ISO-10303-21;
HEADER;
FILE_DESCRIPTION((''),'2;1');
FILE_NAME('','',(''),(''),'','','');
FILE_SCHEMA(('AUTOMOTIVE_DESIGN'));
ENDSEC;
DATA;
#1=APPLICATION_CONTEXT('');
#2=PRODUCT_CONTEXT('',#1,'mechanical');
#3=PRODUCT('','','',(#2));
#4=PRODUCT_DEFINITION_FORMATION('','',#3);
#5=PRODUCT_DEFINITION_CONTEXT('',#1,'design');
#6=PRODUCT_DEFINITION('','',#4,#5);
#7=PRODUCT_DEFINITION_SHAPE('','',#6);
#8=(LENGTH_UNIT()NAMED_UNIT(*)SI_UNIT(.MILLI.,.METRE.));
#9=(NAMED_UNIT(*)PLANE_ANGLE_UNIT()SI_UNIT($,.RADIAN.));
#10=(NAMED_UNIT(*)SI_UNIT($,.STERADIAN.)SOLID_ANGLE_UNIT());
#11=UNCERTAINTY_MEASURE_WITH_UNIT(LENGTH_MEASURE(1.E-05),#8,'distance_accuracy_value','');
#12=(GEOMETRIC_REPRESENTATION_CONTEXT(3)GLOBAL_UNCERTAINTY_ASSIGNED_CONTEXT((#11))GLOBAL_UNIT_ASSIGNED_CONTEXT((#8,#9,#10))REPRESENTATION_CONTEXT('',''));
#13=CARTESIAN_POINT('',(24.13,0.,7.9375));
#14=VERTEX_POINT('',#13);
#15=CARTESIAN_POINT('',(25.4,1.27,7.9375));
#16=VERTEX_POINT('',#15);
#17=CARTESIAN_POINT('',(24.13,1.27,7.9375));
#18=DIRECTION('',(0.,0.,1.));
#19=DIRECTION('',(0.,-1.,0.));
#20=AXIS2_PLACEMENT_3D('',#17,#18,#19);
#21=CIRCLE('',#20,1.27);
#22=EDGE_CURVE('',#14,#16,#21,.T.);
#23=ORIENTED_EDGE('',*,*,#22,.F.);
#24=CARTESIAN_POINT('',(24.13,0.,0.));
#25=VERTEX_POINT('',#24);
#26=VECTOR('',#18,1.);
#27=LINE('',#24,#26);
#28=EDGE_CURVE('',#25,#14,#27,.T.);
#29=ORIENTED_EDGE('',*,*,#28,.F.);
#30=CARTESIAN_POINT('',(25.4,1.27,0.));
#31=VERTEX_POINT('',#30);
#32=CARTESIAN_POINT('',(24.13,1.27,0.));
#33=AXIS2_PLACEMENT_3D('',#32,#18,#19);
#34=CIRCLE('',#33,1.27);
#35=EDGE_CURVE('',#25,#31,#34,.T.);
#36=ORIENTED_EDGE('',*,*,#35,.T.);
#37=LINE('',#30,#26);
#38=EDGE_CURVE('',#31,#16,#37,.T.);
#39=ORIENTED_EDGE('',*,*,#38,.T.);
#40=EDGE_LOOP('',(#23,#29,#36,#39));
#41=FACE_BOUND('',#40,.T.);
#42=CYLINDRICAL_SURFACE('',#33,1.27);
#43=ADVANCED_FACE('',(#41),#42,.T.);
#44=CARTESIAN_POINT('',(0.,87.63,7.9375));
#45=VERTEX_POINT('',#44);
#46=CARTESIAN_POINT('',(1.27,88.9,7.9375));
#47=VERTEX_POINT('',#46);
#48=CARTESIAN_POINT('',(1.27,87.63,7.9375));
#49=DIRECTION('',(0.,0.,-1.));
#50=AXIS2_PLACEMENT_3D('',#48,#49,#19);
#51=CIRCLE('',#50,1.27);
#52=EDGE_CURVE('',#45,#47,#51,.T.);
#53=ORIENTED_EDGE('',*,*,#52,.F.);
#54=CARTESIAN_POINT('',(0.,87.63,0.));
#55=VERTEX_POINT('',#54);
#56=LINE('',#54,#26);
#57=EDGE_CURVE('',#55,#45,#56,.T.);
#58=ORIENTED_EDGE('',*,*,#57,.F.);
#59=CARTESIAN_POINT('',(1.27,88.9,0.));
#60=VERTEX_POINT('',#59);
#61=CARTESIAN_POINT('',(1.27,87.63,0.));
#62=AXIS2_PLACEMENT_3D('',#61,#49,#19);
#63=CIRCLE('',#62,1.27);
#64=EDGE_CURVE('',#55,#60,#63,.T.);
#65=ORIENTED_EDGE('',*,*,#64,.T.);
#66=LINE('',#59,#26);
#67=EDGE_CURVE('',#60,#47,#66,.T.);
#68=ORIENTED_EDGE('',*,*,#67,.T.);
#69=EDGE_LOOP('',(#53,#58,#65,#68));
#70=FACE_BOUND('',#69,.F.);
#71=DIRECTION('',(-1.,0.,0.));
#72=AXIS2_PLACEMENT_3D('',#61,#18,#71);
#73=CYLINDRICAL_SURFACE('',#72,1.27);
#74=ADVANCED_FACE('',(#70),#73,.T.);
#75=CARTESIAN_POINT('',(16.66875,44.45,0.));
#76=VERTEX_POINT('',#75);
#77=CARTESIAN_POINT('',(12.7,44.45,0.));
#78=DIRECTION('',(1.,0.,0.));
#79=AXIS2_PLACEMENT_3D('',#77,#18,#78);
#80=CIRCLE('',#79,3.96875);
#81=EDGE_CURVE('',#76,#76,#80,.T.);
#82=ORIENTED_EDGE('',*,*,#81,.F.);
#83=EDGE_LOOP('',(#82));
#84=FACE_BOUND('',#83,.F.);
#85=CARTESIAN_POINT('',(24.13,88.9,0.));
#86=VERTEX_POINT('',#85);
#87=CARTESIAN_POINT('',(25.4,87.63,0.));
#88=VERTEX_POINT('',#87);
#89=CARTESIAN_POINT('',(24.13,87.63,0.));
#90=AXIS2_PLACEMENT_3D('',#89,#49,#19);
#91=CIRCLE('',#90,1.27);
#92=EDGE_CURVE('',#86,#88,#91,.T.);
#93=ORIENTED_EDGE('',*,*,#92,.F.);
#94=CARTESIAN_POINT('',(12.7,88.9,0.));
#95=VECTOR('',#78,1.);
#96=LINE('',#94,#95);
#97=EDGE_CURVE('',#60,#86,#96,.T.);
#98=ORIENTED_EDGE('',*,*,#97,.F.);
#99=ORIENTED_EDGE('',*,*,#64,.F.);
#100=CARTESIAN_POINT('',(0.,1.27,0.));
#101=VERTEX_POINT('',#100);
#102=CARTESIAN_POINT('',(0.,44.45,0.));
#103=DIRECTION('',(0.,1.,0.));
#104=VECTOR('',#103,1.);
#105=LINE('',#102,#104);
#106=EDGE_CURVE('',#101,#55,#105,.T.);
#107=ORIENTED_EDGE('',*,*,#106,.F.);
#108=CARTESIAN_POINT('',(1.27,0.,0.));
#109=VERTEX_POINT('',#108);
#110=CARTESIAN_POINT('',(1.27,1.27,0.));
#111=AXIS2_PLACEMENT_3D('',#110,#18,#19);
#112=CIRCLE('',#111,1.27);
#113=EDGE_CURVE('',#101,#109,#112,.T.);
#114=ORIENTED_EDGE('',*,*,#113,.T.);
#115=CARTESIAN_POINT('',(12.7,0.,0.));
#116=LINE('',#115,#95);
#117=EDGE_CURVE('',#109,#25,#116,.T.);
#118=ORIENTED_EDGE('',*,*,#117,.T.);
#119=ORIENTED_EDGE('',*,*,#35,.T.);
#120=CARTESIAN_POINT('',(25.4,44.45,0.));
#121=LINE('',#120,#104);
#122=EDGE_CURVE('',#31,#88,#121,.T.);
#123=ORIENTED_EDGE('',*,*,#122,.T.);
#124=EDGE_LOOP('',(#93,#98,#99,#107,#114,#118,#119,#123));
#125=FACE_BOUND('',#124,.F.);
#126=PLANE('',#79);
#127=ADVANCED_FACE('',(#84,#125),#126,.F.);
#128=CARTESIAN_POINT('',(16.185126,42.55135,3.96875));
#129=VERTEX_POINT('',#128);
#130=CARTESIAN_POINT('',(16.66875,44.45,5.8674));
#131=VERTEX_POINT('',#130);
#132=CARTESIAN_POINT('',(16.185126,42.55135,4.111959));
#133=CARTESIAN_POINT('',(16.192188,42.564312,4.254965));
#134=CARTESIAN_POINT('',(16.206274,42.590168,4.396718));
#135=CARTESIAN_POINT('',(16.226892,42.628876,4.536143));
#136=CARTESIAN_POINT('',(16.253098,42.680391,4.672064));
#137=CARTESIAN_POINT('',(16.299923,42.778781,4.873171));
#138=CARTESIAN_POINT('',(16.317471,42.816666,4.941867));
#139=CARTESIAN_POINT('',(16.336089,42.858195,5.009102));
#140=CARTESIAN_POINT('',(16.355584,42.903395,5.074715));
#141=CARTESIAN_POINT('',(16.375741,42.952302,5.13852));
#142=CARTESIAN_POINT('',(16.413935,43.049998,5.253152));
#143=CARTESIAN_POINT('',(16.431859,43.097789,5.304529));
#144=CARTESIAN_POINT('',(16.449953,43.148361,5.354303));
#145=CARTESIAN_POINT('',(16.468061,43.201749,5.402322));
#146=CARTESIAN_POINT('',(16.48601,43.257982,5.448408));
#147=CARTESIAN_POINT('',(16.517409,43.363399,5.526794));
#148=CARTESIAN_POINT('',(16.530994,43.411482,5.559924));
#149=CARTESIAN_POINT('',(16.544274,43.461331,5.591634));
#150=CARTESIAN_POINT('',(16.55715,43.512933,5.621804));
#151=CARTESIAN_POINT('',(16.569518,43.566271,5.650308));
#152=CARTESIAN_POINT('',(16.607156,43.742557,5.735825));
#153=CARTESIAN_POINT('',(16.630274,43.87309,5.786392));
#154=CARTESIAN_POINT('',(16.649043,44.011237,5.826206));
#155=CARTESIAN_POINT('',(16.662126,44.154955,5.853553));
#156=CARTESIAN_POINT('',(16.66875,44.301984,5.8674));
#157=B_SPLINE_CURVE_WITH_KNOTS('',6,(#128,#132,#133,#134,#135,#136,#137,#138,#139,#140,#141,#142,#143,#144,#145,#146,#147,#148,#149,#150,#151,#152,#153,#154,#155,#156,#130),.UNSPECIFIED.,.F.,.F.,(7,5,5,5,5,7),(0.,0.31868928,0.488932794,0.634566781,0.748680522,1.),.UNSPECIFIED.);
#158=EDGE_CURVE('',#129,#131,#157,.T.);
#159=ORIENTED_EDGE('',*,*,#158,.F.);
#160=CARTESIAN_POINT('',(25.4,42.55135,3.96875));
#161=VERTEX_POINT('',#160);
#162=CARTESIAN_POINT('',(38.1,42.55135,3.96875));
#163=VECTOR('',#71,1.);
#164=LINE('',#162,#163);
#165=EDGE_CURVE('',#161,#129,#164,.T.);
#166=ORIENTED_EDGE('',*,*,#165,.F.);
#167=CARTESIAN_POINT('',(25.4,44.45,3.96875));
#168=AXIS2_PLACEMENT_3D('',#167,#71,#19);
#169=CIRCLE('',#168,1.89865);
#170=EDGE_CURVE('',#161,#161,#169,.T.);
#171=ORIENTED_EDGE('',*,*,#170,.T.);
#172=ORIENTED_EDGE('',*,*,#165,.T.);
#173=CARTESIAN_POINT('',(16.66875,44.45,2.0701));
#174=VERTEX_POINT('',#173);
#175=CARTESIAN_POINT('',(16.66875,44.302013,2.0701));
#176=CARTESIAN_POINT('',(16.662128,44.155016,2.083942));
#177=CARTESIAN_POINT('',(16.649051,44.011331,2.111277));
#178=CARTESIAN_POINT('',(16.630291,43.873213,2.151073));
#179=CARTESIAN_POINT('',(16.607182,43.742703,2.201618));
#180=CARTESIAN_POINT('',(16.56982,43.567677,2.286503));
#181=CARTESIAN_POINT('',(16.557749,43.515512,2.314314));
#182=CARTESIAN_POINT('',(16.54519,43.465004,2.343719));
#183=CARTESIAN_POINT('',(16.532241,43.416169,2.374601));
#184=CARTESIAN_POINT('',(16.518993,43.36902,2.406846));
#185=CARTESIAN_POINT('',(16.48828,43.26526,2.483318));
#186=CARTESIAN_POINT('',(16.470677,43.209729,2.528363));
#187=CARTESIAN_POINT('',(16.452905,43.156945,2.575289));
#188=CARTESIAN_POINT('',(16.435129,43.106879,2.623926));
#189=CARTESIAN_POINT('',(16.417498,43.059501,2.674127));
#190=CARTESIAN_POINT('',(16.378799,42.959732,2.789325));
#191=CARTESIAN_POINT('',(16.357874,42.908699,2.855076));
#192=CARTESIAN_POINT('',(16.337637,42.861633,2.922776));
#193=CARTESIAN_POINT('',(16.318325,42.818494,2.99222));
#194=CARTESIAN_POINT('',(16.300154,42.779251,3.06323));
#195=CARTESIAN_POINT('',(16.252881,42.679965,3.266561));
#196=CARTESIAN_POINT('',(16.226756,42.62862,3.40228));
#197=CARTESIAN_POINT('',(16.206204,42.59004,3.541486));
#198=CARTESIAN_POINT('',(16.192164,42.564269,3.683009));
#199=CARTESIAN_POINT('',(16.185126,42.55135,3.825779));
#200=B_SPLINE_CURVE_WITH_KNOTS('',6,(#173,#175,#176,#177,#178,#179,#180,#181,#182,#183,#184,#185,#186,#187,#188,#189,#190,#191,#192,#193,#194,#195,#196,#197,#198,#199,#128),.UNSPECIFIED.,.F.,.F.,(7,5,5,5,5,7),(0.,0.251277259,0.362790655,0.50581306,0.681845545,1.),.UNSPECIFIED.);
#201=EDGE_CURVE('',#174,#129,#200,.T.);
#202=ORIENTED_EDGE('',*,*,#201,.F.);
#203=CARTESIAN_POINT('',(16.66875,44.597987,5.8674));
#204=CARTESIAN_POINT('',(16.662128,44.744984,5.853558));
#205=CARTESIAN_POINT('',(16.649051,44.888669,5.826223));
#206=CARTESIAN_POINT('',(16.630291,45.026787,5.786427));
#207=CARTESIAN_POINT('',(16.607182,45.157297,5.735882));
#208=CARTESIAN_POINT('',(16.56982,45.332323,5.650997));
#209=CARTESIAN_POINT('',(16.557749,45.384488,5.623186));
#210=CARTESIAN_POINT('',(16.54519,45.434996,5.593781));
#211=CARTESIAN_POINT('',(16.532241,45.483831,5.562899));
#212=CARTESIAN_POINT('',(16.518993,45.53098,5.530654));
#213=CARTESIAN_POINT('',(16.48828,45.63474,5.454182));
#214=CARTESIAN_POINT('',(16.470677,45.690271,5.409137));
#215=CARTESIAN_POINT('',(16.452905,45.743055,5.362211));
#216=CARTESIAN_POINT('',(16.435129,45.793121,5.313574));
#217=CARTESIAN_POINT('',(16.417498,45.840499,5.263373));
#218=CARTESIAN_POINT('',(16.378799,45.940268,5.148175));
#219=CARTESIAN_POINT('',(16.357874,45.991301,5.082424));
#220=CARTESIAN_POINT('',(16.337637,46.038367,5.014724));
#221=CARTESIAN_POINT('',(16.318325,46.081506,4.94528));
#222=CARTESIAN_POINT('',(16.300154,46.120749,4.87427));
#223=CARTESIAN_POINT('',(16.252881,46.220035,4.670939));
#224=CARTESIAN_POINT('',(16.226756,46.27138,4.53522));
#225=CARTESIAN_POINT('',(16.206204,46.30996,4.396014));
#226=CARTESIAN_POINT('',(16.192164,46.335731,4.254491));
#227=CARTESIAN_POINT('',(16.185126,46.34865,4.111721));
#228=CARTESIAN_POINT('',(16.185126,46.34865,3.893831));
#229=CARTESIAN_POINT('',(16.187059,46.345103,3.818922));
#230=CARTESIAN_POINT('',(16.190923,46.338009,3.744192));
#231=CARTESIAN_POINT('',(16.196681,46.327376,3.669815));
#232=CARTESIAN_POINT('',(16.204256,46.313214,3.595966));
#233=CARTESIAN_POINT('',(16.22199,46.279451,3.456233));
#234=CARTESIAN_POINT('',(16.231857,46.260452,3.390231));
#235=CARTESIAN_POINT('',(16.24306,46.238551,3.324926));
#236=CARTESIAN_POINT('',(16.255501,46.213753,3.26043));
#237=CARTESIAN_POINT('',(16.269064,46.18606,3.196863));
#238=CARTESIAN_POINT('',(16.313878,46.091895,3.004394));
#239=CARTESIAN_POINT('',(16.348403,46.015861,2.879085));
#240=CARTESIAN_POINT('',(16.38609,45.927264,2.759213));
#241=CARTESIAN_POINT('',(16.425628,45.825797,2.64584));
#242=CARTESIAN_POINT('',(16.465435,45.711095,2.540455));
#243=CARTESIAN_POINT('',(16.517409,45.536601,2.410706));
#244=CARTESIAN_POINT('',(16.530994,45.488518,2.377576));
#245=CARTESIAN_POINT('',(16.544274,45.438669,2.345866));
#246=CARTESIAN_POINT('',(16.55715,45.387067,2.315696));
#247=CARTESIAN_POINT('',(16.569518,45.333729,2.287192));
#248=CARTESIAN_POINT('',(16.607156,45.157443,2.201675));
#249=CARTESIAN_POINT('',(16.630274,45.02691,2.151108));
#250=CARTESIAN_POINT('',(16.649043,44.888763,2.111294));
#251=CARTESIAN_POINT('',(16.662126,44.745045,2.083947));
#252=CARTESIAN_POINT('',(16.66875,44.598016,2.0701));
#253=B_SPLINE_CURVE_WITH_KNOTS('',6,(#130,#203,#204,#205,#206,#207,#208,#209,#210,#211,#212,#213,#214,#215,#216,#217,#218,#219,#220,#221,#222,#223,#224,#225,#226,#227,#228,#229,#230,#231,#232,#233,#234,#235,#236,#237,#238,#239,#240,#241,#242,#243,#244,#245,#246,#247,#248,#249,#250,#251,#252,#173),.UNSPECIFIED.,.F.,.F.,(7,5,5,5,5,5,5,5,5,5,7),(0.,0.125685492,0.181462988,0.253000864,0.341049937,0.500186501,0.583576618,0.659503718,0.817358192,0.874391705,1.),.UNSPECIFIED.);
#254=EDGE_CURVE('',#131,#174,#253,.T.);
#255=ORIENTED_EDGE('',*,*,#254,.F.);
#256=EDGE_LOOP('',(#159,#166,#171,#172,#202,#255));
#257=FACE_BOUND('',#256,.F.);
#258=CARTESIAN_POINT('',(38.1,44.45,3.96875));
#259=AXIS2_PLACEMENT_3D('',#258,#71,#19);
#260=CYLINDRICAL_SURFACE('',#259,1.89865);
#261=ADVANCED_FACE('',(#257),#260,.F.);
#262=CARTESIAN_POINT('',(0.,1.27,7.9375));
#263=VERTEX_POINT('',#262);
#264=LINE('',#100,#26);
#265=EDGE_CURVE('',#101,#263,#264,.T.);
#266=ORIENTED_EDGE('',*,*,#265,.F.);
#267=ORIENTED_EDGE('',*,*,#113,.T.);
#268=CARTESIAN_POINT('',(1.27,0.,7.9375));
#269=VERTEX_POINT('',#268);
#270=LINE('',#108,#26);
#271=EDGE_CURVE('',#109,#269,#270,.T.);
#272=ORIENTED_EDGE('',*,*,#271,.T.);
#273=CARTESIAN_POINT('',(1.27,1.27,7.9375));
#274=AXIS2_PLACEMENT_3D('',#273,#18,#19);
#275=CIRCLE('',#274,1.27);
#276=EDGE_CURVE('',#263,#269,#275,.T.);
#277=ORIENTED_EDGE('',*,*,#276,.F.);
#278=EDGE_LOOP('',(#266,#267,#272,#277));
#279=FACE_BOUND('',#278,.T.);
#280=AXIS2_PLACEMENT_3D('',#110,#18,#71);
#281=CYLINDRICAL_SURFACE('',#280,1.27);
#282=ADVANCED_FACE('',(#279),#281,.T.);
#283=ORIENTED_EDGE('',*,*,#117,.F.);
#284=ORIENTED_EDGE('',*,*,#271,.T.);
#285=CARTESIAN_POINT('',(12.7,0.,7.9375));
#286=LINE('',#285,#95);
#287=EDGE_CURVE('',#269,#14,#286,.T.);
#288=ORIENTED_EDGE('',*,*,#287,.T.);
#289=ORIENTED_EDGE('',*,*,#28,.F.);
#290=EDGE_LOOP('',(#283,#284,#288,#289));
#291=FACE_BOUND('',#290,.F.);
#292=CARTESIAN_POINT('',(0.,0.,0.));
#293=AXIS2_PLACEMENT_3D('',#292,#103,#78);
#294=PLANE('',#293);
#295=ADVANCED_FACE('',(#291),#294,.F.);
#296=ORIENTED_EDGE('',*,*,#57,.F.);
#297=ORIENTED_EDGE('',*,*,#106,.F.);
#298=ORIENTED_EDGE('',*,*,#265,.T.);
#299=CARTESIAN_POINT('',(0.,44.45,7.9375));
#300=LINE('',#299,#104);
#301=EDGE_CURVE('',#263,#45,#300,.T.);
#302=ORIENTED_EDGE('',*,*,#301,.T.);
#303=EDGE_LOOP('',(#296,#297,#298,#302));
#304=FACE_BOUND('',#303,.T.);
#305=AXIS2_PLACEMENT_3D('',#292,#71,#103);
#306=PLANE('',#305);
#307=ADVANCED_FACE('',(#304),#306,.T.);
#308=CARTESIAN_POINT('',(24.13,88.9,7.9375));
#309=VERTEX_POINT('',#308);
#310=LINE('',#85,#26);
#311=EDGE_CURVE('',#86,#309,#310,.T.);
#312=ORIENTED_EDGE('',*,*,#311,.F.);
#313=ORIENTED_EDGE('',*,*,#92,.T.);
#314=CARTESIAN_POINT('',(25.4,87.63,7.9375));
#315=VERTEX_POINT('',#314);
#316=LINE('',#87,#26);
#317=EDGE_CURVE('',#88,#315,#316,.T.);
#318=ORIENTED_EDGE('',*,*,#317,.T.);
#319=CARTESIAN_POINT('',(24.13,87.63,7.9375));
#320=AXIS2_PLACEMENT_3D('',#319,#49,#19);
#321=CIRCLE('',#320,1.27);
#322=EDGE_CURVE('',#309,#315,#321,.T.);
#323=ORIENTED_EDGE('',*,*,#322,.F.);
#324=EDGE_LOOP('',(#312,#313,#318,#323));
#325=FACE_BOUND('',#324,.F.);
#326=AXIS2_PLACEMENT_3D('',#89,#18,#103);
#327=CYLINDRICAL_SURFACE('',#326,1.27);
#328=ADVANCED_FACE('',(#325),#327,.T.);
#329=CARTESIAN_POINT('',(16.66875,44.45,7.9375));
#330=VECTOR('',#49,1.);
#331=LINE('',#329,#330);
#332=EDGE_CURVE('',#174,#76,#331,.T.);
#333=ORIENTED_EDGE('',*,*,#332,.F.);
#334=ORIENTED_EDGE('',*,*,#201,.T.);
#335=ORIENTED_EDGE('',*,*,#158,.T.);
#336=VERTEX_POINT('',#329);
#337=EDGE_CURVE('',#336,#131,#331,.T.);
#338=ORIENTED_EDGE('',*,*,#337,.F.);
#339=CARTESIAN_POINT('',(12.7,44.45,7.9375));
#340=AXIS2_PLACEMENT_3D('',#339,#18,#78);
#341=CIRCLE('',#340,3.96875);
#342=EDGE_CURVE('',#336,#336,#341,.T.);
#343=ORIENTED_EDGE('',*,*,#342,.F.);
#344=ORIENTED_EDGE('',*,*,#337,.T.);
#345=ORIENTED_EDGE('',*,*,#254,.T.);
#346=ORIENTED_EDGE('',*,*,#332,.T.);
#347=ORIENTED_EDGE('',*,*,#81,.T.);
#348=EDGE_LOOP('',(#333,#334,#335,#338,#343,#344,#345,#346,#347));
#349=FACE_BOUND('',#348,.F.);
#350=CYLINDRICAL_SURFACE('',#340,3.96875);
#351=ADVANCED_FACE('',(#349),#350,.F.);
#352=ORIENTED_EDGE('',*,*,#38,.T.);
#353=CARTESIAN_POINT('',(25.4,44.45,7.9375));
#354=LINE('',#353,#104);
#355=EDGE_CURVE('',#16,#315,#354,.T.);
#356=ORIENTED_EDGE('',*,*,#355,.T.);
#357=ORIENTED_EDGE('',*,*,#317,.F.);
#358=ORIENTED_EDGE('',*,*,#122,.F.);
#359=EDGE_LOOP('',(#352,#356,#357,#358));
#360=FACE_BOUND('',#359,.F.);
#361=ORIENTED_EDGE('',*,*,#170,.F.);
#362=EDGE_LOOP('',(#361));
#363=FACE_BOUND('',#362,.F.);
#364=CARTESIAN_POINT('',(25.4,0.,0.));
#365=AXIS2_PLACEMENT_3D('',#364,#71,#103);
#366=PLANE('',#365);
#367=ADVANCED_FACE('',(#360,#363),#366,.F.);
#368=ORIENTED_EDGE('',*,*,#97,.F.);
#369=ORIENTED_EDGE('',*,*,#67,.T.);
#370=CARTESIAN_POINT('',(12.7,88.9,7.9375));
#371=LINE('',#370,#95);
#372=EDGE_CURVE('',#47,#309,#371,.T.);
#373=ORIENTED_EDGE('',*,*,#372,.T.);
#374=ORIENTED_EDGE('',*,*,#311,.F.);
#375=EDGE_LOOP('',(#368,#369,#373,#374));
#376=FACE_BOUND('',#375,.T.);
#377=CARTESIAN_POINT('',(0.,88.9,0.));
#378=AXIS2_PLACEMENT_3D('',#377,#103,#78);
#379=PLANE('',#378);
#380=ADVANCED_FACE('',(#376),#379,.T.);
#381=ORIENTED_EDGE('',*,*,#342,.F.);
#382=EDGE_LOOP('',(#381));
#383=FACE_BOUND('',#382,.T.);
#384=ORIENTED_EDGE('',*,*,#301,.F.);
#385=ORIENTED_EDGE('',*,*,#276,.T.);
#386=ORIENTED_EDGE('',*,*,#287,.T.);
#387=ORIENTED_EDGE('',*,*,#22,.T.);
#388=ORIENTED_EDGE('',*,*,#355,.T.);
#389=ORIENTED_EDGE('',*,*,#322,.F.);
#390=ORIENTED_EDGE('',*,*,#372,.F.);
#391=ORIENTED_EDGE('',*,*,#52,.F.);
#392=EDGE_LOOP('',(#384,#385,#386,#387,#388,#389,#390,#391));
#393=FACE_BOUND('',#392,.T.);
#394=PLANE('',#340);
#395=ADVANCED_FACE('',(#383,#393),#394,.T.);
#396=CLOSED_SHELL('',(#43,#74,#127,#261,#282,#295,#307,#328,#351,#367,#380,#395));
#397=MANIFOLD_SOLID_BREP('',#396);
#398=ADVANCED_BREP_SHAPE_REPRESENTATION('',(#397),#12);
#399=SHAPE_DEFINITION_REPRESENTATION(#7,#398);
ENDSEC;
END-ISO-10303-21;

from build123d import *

# Parameters (mm, degrees)
F0_W     = 25.4
F0_H     = 88.9
F1_DEPTH = 7.9375
F2_R     = 3.96875
F3_DEPTH = 7.9375
F5_D     = 3.7973
F5_DEPTH = 12.7
F5_TIP   = 1.1408240143
F6_R     = 1.27


with BuildPart() as f1:
    # F0 (on Top) → F1 (new body)
    with BuildSketch(Plane.XY):
        with Locations((12.7, 44.45)):
            Rectangle(F0_W, F0_H)
    extrude(amount=F1_DEPTH)

    # F2 (on face) → F3 (cut, through all)
    with BuildSketch(Plane.XY.offset(7.9375)):
        with Locations((12.7, 44.45)):
            Circle(F2_R)
    extrude(amount=-F3_DEPTH, mode=Mode.SUBTRACT)

    # F5
    with Locations(Plane.YZ.offset(25.4)):
        with Locations((44.45, 3.96875)):
            Hole(F5_D / 2, depth=F5_DEPTH)
            with Locations((0, 0, -(F5_DEPTH + F5_TIP / 2))):  # 118° drill point
                Cone(0, F5_D / 2, F5_TIP, mode=Mode.SUBTRACT)

    # F6
    f6_edges = [f1.edges().sort_by_distance(p)[0] for p in [
        (25.4, 88.9, 3.96875),
        (0, 88.9, 3.96875),
        (25.4, 0, 3.96875),
        (0, 0, 3.96875),
    ]]
    fillet(f6_edges, radius=F6_R)


solid = f1.part
